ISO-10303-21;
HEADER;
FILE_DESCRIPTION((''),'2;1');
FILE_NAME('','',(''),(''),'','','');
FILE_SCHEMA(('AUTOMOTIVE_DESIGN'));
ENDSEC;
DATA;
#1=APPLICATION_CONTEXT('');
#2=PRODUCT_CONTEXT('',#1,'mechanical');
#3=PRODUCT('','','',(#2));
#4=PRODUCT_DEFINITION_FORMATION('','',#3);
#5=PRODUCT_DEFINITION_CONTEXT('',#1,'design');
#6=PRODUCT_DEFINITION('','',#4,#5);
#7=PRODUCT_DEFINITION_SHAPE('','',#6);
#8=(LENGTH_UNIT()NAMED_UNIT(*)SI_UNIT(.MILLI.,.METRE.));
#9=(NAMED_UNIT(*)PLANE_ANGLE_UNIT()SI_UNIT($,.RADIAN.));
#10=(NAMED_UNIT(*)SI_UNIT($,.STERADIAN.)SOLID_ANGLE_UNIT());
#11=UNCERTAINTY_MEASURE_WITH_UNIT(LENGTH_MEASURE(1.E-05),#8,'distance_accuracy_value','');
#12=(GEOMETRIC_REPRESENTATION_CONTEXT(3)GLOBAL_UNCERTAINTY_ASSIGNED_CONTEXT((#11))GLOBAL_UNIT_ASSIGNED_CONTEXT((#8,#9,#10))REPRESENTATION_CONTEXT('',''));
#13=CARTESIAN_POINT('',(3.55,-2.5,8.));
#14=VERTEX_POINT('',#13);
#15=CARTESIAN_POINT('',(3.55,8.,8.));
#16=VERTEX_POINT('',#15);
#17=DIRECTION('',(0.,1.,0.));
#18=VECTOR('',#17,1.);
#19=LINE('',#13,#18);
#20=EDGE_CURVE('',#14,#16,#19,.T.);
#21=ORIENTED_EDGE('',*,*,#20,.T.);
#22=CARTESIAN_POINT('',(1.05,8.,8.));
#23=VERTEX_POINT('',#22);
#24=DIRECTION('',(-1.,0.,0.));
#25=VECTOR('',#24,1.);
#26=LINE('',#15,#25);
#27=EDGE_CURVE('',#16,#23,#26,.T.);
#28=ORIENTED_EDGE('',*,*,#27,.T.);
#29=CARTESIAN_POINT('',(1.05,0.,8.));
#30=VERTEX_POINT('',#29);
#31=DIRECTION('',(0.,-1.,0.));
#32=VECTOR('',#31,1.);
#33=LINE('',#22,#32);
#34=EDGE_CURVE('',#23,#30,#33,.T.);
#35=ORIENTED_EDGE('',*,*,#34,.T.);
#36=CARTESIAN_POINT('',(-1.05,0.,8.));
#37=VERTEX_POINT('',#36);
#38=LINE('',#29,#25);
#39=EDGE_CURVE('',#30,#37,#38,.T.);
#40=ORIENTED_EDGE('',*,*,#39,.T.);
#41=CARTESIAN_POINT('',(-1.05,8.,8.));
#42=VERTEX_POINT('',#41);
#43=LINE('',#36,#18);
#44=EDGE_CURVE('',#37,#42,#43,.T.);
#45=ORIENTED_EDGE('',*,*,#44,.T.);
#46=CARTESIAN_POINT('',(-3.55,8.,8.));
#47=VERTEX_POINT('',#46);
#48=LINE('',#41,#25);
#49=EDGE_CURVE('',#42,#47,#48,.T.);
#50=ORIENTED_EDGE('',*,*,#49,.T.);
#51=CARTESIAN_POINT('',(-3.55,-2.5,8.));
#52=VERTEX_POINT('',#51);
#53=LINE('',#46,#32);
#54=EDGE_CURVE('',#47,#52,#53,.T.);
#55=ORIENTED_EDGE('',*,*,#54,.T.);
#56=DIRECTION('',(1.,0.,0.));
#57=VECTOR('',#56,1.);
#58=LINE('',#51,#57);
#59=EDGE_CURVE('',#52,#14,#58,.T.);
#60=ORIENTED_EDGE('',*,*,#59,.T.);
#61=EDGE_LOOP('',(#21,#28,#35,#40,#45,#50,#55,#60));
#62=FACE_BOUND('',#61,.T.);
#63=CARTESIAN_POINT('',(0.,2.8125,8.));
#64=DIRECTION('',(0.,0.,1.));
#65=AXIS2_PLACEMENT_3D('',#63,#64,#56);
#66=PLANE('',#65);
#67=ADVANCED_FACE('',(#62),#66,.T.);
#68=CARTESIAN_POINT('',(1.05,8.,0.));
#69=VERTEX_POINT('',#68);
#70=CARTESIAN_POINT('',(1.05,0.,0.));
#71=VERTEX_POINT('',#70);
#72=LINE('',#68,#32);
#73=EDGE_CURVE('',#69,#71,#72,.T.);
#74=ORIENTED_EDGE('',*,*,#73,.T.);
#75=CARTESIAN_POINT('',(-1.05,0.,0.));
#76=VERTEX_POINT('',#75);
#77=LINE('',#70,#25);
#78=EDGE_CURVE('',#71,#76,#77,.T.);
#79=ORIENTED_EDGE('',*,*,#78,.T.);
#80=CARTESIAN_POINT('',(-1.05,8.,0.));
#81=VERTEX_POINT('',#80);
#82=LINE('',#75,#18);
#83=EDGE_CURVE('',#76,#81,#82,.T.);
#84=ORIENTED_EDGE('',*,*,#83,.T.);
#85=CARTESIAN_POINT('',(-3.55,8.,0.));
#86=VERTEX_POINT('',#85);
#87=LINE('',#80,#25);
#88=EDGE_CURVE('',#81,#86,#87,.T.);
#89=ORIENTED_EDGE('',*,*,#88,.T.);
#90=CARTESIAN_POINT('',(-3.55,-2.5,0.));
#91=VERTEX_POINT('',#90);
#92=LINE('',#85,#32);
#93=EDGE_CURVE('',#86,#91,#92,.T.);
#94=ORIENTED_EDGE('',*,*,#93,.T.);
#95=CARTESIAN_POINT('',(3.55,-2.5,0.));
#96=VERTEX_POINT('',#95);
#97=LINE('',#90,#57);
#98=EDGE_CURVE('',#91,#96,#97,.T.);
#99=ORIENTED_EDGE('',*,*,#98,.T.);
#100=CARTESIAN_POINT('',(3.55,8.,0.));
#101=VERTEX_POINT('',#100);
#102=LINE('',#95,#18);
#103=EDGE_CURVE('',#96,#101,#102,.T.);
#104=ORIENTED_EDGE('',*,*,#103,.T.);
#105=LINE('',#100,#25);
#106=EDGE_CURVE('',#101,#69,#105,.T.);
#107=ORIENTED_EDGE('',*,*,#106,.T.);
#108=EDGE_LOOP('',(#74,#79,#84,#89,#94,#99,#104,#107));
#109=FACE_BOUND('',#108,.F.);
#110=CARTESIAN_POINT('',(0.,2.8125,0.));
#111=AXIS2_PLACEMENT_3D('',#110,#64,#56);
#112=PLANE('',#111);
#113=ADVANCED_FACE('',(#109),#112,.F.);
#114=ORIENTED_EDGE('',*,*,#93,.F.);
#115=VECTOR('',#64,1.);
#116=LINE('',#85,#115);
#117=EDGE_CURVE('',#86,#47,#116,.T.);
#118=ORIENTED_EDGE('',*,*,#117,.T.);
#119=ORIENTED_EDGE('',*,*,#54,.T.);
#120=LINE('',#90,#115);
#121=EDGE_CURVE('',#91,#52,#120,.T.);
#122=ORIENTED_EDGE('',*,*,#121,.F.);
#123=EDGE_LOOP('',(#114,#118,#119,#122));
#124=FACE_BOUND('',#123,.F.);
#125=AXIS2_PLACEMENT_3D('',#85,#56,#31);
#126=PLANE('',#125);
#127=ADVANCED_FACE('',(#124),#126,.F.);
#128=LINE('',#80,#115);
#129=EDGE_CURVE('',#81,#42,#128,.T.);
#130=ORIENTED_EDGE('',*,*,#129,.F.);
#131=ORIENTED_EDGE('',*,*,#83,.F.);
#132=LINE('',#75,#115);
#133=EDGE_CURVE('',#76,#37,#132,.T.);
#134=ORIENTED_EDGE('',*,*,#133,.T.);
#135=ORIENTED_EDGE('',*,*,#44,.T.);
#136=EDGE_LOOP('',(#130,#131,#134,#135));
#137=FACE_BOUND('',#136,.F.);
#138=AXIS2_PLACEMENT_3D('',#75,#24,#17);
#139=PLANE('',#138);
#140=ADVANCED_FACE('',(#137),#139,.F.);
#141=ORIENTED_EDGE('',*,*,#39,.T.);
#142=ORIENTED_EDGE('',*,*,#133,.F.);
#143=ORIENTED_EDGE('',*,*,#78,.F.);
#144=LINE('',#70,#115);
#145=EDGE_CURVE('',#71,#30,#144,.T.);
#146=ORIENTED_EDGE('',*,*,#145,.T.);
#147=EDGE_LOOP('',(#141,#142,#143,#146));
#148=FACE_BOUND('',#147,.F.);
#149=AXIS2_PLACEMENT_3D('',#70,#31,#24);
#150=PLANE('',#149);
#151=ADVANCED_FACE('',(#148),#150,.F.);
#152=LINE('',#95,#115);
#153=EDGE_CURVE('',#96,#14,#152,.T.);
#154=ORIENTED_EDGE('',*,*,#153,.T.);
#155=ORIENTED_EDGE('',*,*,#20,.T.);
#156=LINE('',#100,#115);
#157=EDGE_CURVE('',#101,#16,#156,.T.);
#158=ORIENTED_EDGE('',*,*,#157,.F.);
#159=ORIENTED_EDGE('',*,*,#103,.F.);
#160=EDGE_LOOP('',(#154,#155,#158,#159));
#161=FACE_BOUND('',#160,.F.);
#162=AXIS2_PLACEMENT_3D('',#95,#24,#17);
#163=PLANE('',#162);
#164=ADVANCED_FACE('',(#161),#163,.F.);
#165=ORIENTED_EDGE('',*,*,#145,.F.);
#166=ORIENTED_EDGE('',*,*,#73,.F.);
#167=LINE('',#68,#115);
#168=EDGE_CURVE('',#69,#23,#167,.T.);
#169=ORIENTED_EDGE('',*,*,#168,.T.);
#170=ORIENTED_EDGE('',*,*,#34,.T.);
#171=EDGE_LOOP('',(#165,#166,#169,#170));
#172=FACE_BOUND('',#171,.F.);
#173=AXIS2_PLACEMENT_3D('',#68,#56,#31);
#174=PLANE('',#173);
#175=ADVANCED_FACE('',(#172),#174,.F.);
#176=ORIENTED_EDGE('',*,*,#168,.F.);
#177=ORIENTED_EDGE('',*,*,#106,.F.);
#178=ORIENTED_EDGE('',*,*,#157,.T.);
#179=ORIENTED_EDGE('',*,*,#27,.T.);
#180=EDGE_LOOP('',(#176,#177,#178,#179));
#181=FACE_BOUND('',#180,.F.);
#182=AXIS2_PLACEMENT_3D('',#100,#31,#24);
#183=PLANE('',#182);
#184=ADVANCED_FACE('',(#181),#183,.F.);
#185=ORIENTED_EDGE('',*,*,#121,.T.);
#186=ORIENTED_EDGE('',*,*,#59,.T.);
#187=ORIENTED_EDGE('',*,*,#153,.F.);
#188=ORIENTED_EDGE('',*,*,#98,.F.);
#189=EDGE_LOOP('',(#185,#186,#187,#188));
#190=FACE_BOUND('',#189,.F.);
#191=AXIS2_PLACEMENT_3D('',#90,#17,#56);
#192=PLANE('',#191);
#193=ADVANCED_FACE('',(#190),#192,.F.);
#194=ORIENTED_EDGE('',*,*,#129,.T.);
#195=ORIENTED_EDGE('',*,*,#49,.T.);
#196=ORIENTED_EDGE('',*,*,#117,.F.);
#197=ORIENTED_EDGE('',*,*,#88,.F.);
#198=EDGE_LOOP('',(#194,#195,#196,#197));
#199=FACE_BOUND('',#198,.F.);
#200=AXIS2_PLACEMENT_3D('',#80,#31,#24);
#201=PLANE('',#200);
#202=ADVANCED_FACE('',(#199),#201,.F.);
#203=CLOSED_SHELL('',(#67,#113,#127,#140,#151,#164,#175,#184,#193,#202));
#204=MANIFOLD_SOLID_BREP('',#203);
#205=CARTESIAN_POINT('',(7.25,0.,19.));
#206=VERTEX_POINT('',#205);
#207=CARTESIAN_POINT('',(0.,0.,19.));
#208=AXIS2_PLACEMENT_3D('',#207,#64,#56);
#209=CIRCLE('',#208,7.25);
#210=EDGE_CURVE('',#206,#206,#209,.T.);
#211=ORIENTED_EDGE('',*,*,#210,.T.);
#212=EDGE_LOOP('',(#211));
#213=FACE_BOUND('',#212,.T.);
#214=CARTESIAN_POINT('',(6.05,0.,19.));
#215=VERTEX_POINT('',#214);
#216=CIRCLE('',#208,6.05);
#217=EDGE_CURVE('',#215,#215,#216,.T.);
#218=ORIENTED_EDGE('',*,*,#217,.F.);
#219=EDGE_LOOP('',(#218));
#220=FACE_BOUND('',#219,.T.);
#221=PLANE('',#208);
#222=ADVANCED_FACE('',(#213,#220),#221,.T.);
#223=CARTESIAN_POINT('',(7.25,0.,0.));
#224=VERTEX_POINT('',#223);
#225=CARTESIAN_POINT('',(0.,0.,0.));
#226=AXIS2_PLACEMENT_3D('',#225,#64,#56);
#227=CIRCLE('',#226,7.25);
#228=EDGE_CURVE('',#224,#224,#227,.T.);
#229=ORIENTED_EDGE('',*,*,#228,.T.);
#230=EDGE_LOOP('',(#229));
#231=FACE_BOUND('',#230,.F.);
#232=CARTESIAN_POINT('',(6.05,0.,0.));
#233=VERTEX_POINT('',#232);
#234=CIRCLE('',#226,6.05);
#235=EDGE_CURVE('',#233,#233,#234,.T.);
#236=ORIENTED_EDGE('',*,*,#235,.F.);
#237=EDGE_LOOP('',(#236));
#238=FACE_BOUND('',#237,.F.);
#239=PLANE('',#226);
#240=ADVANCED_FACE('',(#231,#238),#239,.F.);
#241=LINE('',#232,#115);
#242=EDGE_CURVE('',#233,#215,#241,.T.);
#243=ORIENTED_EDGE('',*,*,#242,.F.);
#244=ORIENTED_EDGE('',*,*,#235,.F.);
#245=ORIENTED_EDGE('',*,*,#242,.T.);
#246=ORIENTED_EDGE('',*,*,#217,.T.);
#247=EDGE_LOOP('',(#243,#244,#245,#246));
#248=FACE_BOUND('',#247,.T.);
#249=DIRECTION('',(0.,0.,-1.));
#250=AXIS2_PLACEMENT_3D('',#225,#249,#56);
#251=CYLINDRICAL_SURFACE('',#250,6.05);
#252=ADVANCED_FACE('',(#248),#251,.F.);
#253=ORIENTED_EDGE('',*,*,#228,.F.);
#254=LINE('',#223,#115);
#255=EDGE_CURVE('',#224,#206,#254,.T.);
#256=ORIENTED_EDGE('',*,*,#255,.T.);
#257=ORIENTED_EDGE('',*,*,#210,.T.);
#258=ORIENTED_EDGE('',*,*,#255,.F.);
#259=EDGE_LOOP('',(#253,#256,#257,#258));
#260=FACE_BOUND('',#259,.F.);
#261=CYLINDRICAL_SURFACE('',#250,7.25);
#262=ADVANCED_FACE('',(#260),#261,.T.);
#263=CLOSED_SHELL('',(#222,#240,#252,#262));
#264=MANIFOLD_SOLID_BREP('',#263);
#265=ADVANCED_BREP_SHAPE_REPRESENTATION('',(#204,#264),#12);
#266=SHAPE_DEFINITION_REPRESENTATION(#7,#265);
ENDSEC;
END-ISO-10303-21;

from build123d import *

# Parameters (mm, degrees)
F1_DEPTH = 8
F2_R     = 7.25
F2_R_2   = 6.05
F3_DEPTH = 19


with BuildPart() as f1:
    # F0 (on Top) → F1 (new body)
    with BuildSketch(Plane.XY):
        Polygon((1.05, 0), (0, 0), (-1.05, 0), (-1.05, 8), (-3.55, 8), (-3.55, -2.5), (0, -2.5), (3.55, -2.5), (3.55, 8), (1.05, 8), align=None)
    extrude(amount=F1_DEPTH)


with BuildPart() as f3:
    # F2 (on Top) → F3 (new body)
    with BuildSketch(Plane.XY):
        Circle(F2_R)
        Circle(F2_R_2, mode=Mode.SUBTRACT)
    extrude(amount=F3_DEPTH)


solid = Compound([f1.part, f3.part])
